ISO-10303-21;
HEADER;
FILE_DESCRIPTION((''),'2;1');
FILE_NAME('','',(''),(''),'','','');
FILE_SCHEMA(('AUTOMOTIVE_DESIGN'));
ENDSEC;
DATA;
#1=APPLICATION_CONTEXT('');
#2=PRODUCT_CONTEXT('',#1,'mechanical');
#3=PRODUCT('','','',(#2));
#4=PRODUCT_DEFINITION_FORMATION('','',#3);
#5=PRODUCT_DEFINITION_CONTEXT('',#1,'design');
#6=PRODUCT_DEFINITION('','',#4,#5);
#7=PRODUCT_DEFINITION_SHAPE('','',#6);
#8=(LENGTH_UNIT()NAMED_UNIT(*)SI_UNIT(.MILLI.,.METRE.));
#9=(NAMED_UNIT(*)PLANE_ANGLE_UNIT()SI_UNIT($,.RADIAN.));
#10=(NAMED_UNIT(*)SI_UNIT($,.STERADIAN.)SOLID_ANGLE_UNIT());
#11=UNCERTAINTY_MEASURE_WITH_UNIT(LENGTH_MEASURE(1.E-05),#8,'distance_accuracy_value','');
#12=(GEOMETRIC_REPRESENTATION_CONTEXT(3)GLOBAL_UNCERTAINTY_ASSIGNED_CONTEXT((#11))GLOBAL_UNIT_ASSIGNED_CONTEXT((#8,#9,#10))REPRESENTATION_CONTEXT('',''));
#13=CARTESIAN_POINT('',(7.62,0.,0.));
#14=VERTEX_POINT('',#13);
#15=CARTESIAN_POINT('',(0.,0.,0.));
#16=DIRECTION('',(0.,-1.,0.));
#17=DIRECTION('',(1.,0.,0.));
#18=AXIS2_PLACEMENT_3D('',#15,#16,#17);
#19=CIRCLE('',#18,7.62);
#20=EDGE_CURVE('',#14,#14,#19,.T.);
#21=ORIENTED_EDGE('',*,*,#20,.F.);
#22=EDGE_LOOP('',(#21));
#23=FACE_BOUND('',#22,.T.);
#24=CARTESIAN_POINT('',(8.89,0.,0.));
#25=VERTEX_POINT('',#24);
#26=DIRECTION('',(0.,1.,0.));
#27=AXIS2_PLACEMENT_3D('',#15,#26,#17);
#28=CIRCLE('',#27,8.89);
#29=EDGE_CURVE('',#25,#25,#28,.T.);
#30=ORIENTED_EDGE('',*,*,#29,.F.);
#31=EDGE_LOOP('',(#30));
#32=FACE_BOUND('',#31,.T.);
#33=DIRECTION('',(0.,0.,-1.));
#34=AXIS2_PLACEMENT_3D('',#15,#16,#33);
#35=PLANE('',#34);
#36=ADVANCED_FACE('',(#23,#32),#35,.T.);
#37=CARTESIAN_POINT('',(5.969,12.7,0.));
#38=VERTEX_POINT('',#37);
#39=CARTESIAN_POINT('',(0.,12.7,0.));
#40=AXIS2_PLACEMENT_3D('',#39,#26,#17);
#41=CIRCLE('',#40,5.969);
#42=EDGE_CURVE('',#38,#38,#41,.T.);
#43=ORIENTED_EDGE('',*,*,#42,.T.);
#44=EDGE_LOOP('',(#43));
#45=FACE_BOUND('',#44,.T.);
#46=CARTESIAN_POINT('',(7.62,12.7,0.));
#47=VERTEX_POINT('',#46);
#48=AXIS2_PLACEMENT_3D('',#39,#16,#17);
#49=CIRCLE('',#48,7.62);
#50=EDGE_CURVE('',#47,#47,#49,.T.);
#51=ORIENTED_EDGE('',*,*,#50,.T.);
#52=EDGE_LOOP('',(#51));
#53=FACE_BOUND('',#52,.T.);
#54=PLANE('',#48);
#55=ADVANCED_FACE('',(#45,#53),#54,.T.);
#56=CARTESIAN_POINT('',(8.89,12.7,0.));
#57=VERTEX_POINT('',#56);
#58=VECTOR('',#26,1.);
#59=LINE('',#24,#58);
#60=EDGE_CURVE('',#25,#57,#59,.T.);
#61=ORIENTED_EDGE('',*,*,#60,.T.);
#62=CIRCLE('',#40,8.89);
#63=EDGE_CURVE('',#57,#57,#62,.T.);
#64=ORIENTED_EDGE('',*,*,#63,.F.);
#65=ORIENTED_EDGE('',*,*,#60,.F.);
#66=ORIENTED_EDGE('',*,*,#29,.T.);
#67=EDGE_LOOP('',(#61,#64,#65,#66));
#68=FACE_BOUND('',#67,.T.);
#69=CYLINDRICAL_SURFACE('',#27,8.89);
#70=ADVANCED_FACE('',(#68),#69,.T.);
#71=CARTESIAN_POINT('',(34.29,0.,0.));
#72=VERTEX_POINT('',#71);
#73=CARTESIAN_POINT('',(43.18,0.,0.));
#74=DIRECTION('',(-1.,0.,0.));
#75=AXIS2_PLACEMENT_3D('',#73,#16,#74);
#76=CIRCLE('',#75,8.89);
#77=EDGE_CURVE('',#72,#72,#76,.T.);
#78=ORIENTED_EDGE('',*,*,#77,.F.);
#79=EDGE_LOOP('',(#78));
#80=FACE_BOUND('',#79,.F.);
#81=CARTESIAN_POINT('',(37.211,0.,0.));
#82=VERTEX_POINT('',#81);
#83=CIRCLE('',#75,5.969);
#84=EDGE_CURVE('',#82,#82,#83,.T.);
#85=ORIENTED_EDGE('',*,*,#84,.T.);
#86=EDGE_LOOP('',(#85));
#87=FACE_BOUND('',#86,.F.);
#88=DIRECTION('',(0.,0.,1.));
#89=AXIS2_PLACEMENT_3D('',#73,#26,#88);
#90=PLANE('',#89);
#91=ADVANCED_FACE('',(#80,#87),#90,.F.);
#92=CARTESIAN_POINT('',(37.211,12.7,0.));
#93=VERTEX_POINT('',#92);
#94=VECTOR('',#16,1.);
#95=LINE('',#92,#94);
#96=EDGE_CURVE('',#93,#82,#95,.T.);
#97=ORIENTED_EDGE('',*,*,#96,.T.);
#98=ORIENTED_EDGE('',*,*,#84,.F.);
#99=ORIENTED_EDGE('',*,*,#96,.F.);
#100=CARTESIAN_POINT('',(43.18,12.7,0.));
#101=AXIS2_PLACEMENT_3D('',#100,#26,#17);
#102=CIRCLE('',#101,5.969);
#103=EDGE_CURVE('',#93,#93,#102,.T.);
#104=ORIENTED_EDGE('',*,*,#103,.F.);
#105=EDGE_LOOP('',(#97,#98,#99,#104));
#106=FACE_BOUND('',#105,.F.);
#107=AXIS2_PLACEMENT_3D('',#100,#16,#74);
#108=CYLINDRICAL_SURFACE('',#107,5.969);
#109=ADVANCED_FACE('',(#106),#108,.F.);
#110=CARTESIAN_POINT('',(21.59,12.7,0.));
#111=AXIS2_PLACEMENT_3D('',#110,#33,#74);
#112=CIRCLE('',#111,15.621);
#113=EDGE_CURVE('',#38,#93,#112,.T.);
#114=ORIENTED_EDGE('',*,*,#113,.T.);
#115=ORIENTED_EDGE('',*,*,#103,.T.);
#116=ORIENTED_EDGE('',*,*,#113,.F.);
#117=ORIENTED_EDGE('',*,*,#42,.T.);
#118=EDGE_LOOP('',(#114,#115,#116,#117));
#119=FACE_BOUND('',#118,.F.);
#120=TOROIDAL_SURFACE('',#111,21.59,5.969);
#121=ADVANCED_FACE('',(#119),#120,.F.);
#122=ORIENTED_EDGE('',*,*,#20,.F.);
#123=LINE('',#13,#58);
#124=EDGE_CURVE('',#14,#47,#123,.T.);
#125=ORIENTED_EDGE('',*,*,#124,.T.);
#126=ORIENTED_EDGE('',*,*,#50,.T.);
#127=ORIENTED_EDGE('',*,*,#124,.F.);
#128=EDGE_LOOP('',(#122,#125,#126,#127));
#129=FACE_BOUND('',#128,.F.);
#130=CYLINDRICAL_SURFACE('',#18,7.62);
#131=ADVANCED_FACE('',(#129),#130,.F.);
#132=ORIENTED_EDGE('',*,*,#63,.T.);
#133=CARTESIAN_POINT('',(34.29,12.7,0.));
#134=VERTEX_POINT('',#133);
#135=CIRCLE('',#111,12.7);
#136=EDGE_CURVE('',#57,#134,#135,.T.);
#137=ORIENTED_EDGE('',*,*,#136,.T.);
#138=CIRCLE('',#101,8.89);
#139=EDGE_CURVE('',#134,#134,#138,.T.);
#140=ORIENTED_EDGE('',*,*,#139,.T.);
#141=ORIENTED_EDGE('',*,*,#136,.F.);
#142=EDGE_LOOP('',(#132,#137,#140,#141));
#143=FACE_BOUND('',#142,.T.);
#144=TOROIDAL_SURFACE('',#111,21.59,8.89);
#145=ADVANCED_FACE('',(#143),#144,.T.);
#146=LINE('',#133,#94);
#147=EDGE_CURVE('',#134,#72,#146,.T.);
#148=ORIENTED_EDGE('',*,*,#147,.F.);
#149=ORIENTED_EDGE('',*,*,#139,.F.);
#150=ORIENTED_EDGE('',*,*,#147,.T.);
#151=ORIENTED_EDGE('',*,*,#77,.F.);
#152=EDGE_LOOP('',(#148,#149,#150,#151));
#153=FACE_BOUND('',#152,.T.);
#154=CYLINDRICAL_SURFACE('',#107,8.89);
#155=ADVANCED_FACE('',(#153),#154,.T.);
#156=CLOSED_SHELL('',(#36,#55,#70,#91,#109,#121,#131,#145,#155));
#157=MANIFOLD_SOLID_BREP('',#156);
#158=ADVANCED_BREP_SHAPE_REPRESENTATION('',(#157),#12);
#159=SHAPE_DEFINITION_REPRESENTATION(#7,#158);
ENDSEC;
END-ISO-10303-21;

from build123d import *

# Parameters (mm, degrees)
F1_R     = 8.89
F1_R_2   = 5.969
F3_R     = 7.62
F3_R_2   = 5.969
F4_DEPTH = 12.7


with BuildPart() as f2:
    # F2: sweep along a path in F0
    with BuildLine(Plane.XY) as f2_path:
        Line((0, 0), (0, 12.7))
        ThreePointArc((0, 12.7), (21.59, 34.29), (43.18, 12.7))
        Line((43.18, 12.7), (43.18, 0))
    # F1 (on Front) → F2 (sweep)
    with BuildSketch(Plane.XZ):
        Circle(F1_R)
        Circle(F1_R_2, mode=Mode.SUBTRACT)
    sweep(path=f2_path.line)

    # F3 (on face) → F4 (cut)
    with BuildSketch(Plane.XZ):
        Circle(F3_R)
        Circle(F3_R_2, mode=Mode.SUBTRACT)
    extrude(amount=-F4_DEPTH, mode=Mode.SUBTRACT)


solid = f2.part
